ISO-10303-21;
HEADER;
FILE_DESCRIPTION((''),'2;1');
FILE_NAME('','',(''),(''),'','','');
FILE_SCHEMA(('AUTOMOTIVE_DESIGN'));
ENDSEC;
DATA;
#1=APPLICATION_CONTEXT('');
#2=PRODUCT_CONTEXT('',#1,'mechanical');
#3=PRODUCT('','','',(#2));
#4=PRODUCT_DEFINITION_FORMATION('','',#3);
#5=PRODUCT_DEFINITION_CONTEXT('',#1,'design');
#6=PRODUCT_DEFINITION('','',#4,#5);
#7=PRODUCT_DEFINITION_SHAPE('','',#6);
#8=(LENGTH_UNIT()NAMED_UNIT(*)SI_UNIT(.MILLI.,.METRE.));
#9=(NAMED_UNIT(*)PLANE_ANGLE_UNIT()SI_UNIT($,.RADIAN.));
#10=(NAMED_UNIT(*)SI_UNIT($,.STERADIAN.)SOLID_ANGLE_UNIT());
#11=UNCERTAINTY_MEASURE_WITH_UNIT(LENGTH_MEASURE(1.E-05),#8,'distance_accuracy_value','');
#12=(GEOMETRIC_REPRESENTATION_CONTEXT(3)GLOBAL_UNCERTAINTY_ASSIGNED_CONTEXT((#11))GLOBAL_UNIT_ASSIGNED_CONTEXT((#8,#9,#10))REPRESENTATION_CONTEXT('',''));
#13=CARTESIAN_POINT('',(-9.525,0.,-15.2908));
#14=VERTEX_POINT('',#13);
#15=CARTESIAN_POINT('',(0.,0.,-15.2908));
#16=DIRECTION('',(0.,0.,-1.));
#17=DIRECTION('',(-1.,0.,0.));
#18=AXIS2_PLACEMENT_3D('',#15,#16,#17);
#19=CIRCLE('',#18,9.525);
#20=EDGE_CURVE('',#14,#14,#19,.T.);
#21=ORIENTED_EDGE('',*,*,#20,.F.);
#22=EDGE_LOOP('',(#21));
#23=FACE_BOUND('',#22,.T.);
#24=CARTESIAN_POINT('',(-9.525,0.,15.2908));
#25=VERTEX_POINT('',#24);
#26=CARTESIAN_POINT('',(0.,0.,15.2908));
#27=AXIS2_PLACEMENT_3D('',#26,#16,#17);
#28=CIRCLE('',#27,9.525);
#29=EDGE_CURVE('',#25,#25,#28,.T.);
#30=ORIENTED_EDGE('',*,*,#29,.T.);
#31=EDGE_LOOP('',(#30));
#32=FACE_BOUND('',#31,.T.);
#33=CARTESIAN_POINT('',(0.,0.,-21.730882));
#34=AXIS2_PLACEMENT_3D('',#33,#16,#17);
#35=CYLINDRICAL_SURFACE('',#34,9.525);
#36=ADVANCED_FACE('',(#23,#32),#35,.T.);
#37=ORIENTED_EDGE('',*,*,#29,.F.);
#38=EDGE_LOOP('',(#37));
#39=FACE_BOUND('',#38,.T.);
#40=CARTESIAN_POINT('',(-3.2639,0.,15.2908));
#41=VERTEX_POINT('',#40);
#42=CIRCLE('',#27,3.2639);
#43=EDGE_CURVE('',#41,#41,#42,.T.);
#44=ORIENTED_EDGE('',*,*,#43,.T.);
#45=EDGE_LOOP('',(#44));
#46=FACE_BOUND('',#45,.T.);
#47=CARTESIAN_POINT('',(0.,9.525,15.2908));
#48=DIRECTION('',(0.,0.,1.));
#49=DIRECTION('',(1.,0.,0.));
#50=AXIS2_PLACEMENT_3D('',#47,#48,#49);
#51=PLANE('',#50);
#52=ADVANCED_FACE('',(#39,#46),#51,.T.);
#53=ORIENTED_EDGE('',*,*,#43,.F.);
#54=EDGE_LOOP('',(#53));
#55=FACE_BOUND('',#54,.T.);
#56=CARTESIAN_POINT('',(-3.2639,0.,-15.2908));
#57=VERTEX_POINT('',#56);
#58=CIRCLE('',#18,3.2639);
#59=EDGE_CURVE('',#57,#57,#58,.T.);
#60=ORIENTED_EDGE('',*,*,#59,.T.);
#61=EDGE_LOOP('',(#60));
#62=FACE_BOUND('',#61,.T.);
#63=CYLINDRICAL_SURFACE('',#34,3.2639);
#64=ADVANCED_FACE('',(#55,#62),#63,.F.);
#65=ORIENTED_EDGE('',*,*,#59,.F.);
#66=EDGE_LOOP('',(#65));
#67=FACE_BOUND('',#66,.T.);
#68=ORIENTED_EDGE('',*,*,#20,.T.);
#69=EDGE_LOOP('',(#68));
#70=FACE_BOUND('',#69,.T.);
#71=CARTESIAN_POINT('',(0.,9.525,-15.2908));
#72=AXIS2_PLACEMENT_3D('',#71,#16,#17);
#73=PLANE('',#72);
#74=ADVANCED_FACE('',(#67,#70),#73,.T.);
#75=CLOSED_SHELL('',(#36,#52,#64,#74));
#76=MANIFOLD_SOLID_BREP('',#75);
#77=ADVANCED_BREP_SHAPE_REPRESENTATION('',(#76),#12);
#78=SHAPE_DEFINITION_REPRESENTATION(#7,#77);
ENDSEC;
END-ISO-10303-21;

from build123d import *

# Parameters (mm, degrees)
SKETCH1_W = 30.5816
SKETCH1_H = 6.2611


with BuildPart() as part:
    # Sketch1 → Revolve1 (revolve)
    with BuildSketch(Plane(origin=(0, 0, 0), x_dir=(0, 0, -1), z_dir=(1, 0, 0)), mode=Mode.PRIVATE) as revolve1_sk:
        with Locations((0, 6.39445)):
            Rectangle(SKETCH1_W, SKETCH1_H)
    revolve(revolve1_sk.sketch.rotate(Axis((0, 0, -21.730881676), (0, 0, 1)), 90), axis=Axis((0, 0, -21.730881676), (0, 0, 1)))


solid = part.part
